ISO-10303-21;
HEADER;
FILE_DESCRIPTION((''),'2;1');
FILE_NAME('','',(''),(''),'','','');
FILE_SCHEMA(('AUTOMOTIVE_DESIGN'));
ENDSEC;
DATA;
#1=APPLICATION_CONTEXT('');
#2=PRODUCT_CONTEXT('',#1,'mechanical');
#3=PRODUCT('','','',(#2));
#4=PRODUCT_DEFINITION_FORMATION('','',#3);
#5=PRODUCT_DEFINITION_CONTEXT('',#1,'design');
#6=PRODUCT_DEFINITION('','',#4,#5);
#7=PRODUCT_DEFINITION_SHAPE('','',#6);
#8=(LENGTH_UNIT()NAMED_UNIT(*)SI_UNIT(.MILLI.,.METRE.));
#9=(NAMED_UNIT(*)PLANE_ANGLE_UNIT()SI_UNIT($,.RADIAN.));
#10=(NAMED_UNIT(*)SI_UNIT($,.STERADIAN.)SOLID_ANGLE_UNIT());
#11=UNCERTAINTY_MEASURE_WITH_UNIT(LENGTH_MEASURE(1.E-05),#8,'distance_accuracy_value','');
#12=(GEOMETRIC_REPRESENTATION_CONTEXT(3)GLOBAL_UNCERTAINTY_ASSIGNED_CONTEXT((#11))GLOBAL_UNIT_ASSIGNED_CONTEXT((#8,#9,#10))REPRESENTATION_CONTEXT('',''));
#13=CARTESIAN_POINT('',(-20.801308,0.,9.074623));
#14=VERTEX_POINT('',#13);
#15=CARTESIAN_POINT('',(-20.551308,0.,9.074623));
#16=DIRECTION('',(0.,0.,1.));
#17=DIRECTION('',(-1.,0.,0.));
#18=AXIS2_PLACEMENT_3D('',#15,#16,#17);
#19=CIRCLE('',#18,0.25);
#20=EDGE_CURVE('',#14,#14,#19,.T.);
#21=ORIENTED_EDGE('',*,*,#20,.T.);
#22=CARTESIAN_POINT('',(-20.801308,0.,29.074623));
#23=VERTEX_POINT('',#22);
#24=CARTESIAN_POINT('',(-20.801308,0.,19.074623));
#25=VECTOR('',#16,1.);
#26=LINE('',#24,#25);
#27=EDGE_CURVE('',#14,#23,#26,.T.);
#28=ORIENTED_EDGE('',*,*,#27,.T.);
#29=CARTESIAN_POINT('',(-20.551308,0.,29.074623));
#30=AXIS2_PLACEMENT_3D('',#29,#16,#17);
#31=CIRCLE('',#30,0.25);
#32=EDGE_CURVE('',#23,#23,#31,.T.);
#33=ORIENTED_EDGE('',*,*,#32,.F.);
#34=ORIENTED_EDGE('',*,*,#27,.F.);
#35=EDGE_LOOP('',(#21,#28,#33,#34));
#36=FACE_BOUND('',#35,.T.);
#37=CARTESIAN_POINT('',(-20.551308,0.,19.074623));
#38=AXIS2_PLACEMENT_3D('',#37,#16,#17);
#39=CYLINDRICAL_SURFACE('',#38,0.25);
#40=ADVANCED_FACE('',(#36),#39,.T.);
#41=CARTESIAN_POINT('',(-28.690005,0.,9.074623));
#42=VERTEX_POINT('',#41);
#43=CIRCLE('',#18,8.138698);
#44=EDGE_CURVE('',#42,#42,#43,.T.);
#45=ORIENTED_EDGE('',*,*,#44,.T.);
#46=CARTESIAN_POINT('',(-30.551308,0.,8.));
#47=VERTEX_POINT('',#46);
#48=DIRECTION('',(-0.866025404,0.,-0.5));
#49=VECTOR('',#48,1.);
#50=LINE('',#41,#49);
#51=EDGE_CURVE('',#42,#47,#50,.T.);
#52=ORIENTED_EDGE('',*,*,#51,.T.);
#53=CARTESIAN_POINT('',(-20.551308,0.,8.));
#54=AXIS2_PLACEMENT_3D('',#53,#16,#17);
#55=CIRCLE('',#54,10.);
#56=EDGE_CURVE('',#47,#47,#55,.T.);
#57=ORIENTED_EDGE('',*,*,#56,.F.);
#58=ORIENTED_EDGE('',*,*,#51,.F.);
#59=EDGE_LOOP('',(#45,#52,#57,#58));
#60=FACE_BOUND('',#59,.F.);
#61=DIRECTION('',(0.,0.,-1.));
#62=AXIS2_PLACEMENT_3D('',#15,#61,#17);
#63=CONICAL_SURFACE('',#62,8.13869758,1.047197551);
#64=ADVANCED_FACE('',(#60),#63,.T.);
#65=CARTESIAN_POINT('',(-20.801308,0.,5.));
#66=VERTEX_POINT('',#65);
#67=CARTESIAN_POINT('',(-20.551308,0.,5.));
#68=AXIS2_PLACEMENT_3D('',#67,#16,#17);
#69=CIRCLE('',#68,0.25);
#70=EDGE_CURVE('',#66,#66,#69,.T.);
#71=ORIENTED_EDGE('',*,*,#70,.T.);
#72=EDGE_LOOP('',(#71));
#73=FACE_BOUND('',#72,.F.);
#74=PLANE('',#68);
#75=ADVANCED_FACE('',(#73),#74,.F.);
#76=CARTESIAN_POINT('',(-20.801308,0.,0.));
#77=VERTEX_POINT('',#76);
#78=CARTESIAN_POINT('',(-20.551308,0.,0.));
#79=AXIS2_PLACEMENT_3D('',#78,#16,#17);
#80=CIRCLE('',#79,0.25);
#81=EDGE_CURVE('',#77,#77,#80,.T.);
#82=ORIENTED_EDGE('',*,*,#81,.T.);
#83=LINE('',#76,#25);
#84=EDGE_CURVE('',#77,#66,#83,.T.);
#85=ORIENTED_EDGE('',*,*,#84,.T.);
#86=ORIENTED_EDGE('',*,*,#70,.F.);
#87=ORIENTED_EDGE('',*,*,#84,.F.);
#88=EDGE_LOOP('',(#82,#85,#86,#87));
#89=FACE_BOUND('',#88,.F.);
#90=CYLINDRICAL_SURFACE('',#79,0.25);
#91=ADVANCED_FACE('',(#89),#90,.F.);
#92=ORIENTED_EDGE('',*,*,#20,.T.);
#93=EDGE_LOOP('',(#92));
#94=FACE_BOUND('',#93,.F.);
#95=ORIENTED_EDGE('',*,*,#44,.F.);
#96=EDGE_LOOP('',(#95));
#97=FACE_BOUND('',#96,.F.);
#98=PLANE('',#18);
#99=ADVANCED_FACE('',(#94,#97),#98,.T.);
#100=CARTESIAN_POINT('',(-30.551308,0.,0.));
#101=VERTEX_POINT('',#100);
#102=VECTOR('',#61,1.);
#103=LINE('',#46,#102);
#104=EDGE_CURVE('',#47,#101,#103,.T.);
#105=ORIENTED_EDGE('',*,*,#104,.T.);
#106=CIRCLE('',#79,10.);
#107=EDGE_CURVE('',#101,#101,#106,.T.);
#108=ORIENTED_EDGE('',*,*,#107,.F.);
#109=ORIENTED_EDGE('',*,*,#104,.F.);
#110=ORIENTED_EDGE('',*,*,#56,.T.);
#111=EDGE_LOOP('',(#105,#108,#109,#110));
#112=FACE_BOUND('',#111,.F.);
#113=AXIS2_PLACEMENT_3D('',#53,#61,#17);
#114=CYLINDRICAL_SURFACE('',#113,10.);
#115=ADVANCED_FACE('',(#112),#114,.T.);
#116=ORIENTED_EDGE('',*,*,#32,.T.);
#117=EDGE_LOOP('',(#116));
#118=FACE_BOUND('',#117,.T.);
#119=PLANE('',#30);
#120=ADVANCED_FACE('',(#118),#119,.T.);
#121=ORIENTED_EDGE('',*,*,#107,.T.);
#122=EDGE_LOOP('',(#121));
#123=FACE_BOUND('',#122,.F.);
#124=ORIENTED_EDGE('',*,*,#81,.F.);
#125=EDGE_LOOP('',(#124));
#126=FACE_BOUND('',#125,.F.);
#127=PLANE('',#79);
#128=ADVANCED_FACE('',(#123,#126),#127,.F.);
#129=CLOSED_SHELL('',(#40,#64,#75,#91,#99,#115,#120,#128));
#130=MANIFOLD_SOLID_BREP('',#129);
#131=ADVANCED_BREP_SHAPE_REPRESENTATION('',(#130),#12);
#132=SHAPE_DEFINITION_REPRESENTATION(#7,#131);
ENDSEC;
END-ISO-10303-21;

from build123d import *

# Parameters (mm, degrees)
F0_W   = 0.25
F0_H   = 20
F0_H_2 = 3
F0_H_3 = 1.0746234533


with BuildPart() as f1:
    # F0 (on Front) → F1 (revolve)
    with BuildSketch(Plane.XZ):
        with Locations((-20.6763077103, 19.0746234533)):
            Rectangle(F0_W, F0_H)
        Polygon((-20.8013077103, 8), (-30.5513077103, 8), (-30.5513077103, 0), (-20.8013077103, 0), (-20.8013077103, 5), align=None)
        Polygon((-28.6900052902, 9.0746234533), (-30.5513077103, 8), (-20.8013077103, 8), (-20.8013077103, 9.0746234533), align=None)
        with Locations((-20.6763077103, 6.5)):
            Rectangle(F0_W, F0_H_2)
        with Locations((-20.6763077103, 8.5373117267)):
            Rectangle(F0_W, F0_H_3)
    revolve(axis=Axis((-20.5513077103, 0, 19.0746234533), (0, 0, 1)))


solid = f1.part
